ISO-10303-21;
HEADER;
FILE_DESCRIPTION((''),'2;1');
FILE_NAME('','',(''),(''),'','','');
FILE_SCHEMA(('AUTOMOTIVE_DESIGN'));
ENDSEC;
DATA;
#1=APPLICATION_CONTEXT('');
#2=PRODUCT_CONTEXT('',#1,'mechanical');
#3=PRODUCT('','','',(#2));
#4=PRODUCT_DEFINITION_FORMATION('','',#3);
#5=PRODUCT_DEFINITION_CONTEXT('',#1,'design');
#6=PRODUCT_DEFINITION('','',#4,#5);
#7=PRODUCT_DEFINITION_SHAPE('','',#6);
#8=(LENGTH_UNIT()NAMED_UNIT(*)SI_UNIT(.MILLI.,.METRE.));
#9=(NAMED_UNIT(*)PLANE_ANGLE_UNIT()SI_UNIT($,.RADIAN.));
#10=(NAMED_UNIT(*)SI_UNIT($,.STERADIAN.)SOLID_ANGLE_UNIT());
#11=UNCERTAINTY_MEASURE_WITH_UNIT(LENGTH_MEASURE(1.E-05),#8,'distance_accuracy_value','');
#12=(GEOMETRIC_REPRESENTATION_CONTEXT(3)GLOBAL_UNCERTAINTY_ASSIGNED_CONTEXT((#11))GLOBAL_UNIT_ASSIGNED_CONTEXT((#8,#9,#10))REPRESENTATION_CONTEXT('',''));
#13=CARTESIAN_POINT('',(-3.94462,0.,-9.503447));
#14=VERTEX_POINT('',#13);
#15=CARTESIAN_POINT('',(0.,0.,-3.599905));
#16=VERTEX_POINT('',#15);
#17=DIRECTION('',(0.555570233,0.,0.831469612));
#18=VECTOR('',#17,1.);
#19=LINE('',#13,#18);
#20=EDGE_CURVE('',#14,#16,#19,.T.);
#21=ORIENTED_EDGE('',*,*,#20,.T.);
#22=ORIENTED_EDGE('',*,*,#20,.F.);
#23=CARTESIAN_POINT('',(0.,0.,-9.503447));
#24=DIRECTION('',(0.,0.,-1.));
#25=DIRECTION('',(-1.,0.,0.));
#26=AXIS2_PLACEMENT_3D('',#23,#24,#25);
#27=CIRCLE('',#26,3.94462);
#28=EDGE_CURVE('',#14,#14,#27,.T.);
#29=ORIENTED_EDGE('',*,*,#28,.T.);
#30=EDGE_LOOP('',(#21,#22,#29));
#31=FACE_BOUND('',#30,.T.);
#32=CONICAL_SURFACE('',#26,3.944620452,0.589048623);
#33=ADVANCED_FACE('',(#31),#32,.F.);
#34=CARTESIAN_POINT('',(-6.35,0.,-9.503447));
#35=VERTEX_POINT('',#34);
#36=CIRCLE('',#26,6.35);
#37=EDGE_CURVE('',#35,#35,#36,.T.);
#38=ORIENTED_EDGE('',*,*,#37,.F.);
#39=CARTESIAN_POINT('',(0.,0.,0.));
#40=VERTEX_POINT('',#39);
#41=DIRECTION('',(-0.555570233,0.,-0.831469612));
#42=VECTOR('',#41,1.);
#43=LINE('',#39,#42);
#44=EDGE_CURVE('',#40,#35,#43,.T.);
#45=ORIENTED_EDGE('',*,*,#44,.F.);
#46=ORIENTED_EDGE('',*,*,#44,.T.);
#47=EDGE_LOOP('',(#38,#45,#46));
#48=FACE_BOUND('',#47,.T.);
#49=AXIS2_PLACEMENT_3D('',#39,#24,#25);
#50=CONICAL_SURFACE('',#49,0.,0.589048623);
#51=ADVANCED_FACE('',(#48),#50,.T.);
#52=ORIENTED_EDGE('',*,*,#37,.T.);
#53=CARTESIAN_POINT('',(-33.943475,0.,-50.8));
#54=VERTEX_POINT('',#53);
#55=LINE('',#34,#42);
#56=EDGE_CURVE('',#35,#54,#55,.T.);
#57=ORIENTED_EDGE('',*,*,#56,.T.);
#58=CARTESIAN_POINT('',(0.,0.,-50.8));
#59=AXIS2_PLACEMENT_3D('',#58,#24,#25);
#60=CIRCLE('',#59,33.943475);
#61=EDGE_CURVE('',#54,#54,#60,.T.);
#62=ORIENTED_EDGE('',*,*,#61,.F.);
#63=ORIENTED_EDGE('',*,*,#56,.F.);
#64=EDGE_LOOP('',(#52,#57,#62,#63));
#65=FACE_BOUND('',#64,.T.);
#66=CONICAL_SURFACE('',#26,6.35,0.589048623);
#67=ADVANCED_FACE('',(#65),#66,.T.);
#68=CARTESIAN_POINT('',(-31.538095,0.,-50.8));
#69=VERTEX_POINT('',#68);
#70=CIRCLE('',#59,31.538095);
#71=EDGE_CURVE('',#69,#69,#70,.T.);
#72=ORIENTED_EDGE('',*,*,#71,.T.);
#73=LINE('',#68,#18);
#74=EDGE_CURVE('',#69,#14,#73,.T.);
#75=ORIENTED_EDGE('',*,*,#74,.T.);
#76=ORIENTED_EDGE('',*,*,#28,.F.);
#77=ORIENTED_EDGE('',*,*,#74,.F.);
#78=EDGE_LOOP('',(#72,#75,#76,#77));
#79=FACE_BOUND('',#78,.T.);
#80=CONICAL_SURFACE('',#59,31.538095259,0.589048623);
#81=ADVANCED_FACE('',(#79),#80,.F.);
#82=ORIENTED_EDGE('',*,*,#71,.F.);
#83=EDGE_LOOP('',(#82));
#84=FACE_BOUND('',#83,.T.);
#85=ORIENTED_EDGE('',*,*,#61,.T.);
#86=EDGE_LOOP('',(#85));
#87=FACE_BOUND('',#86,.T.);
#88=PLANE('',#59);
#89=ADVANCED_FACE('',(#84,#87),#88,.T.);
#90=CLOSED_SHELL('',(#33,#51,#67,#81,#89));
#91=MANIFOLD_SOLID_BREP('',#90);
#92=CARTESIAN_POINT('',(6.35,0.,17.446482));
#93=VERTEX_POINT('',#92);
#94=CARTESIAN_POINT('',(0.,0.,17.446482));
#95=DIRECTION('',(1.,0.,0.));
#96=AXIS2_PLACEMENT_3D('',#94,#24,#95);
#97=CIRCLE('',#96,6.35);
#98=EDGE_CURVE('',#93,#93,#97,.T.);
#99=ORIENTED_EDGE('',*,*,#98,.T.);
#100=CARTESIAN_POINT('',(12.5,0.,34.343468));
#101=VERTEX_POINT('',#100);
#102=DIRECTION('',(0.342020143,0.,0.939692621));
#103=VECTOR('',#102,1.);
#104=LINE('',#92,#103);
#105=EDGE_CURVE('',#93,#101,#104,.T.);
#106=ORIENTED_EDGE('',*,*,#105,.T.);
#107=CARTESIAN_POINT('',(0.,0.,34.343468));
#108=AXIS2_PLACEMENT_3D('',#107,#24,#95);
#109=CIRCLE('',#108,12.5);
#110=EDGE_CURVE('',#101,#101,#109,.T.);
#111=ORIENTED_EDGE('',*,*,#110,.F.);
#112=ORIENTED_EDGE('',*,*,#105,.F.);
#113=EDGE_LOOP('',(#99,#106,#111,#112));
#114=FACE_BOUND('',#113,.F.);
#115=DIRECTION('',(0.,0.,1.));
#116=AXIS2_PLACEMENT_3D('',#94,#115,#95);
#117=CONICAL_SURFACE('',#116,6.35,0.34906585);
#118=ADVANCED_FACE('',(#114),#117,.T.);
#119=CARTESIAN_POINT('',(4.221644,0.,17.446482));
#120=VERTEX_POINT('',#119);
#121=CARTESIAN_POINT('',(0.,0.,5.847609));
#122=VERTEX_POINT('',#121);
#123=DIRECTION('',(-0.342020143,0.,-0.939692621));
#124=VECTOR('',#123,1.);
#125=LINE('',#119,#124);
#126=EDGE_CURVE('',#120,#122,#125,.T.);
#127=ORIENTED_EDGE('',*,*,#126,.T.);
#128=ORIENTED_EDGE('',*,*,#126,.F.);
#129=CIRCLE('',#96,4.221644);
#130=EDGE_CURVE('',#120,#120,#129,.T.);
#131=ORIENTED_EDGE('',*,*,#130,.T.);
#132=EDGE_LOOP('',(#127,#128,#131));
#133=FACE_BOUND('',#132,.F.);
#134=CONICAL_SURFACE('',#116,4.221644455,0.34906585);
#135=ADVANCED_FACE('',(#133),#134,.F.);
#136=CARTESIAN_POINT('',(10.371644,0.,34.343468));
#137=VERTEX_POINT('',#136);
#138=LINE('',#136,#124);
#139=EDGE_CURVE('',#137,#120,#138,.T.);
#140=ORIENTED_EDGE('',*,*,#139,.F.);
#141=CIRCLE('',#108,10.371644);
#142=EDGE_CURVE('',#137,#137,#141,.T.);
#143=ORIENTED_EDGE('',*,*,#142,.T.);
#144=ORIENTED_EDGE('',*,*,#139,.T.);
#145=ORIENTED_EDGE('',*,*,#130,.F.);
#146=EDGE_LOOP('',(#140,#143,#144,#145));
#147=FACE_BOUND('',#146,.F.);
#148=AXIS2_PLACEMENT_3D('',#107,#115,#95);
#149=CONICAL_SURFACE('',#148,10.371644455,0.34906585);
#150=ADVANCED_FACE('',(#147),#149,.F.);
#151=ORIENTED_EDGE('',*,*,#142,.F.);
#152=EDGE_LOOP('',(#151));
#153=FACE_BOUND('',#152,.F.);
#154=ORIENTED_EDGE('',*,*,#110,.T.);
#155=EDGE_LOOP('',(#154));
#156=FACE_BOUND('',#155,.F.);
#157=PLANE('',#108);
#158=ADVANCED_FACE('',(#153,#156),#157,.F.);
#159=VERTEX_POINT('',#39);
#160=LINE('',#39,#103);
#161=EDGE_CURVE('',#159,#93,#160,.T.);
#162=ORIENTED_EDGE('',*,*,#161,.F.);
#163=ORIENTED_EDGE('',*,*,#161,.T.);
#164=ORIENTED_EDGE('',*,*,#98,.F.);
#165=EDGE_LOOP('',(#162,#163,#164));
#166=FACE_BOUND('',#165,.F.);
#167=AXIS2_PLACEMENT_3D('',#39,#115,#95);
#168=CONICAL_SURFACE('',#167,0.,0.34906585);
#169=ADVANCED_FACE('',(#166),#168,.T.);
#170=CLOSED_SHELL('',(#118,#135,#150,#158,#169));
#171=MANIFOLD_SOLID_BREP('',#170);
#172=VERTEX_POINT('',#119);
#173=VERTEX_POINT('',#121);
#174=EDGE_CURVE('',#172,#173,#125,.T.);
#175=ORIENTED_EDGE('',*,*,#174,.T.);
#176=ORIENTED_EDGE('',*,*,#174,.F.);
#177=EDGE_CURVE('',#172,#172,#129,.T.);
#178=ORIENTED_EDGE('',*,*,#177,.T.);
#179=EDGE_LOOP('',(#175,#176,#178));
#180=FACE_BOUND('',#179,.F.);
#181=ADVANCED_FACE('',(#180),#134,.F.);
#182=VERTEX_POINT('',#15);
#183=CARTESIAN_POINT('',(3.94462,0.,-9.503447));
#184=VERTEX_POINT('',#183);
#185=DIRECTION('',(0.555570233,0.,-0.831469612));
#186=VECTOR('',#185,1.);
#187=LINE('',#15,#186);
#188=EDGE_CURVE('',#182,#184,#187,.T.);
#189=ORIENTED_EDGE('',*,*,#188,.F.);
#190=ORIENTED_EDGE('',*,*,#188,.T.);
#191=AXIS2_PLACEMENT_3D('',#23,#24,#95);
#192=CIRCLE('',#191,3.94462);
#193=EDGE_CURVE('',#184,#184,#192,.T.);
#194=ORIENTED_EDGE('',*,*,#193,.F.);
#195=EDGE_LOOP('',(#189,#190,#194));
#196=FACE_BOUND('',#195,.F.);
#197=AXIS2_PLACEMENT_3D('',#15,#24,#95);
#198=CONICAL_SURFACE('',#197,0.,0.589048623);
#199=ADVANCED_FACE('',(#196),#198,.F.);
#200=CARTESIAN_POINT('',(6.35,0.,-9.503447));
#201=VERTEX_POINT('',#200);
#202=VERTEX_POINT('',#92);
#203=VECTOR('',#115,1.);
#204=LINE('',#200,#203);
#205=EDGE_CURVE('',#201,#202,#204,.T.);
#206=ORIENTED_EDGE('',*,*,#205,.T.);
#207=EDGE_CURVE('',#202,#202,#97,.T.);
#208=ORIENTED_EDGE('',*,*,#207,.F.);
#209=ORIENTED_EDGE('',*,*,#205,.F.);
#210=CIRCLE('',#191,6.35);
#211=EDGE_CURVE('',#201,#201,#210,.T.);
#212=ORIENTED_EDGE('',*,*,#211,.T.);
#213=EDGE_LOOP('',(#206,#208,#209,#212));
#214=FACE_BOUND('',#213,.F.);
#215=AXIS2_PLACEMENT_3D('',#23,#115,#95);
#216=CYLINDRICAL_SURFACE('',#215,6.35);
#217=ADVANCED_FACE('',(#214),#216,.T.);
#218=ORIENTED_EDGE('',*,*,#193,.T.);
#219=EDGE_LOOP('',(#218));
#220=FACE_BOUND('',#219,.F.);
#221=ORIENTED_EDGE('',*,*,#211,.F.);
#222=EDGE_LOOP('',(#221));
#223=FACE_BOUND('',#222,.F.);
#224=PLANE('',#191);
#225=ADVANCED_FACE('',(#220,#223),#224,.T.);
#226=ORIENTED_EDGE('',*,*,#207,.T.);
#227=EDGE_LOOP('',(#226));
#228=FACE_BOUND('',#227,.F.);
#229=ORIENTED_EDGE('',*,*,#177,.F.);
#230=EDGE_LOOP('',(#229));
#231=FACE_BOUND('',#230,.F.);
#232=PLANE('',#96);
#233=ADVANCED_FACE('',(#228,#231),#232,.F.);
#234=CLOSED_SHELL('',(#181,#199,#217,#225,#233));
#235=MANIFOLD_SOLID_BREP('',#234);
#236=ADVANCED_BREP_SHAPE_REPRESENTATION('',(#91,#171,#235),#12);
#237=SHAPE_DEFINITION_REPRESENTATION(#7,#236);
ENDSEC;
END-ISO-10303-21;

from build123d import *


with BuildPart() as f1:
    # F0 (on Front) → F1 (revolve)
    with BuildSketch(Plane.XZ):
        Polygon((4.221644455, 17.4464816135), (6.35, 17.4464816135), (12.5, 34.3434677432), (10.371644455, 34.3434677432), align=None)
        Polygon((0, 5.8476088003), (0, 0), (6.35, 17.4464816135), (4.221644455, 17.4464816135), align=None)
    revolve(axis=Axis((0, 0, -8.2282661284), (0, 0, -1)))


with BuildPart() as f2:
    # F0 (on Front) → F2 (revolve)
    with BuildSketch(Plane.XZ):
        Polygon((-3.9446204523, -9.5034465929), (-6.35, -9.5034465929), (-33.9434748063, -50.8), (-31.5380952586, -50.8), align=None)
        Polygon((0, -3.5999048925), (0, 0), (-6.35, -9.5034465929), (-3.9446204523, -9.5034465929), align=None)
    revolve(axis=Axis((0, 0, -8.2282661284), (0, 0, -1)))


with BuildPart() as f3:
    # F0 (on Front) → F3 (revolve)
    with BuildSketch(Plane.XZ):
        Polygon((6.35, 17.4464816135), (0, 0), (6.35, -9.5034465929), align=None)
        Polygon((0, 5.8476088003), (0, 0), (6.35, 17.4464816135), (4.221644455, 17.4464816135), align=None)
        Polygon((6.35, -9.5034465929), (0, 0), (0, -3.5999048925), (3.9446204523, -9.5034465929), align=None)
    revolve(axis=Axis((0, 0, -8.2282661284), (0, 0, -1)))


solid = Compound([f1.part, f2.part, f3.part])
